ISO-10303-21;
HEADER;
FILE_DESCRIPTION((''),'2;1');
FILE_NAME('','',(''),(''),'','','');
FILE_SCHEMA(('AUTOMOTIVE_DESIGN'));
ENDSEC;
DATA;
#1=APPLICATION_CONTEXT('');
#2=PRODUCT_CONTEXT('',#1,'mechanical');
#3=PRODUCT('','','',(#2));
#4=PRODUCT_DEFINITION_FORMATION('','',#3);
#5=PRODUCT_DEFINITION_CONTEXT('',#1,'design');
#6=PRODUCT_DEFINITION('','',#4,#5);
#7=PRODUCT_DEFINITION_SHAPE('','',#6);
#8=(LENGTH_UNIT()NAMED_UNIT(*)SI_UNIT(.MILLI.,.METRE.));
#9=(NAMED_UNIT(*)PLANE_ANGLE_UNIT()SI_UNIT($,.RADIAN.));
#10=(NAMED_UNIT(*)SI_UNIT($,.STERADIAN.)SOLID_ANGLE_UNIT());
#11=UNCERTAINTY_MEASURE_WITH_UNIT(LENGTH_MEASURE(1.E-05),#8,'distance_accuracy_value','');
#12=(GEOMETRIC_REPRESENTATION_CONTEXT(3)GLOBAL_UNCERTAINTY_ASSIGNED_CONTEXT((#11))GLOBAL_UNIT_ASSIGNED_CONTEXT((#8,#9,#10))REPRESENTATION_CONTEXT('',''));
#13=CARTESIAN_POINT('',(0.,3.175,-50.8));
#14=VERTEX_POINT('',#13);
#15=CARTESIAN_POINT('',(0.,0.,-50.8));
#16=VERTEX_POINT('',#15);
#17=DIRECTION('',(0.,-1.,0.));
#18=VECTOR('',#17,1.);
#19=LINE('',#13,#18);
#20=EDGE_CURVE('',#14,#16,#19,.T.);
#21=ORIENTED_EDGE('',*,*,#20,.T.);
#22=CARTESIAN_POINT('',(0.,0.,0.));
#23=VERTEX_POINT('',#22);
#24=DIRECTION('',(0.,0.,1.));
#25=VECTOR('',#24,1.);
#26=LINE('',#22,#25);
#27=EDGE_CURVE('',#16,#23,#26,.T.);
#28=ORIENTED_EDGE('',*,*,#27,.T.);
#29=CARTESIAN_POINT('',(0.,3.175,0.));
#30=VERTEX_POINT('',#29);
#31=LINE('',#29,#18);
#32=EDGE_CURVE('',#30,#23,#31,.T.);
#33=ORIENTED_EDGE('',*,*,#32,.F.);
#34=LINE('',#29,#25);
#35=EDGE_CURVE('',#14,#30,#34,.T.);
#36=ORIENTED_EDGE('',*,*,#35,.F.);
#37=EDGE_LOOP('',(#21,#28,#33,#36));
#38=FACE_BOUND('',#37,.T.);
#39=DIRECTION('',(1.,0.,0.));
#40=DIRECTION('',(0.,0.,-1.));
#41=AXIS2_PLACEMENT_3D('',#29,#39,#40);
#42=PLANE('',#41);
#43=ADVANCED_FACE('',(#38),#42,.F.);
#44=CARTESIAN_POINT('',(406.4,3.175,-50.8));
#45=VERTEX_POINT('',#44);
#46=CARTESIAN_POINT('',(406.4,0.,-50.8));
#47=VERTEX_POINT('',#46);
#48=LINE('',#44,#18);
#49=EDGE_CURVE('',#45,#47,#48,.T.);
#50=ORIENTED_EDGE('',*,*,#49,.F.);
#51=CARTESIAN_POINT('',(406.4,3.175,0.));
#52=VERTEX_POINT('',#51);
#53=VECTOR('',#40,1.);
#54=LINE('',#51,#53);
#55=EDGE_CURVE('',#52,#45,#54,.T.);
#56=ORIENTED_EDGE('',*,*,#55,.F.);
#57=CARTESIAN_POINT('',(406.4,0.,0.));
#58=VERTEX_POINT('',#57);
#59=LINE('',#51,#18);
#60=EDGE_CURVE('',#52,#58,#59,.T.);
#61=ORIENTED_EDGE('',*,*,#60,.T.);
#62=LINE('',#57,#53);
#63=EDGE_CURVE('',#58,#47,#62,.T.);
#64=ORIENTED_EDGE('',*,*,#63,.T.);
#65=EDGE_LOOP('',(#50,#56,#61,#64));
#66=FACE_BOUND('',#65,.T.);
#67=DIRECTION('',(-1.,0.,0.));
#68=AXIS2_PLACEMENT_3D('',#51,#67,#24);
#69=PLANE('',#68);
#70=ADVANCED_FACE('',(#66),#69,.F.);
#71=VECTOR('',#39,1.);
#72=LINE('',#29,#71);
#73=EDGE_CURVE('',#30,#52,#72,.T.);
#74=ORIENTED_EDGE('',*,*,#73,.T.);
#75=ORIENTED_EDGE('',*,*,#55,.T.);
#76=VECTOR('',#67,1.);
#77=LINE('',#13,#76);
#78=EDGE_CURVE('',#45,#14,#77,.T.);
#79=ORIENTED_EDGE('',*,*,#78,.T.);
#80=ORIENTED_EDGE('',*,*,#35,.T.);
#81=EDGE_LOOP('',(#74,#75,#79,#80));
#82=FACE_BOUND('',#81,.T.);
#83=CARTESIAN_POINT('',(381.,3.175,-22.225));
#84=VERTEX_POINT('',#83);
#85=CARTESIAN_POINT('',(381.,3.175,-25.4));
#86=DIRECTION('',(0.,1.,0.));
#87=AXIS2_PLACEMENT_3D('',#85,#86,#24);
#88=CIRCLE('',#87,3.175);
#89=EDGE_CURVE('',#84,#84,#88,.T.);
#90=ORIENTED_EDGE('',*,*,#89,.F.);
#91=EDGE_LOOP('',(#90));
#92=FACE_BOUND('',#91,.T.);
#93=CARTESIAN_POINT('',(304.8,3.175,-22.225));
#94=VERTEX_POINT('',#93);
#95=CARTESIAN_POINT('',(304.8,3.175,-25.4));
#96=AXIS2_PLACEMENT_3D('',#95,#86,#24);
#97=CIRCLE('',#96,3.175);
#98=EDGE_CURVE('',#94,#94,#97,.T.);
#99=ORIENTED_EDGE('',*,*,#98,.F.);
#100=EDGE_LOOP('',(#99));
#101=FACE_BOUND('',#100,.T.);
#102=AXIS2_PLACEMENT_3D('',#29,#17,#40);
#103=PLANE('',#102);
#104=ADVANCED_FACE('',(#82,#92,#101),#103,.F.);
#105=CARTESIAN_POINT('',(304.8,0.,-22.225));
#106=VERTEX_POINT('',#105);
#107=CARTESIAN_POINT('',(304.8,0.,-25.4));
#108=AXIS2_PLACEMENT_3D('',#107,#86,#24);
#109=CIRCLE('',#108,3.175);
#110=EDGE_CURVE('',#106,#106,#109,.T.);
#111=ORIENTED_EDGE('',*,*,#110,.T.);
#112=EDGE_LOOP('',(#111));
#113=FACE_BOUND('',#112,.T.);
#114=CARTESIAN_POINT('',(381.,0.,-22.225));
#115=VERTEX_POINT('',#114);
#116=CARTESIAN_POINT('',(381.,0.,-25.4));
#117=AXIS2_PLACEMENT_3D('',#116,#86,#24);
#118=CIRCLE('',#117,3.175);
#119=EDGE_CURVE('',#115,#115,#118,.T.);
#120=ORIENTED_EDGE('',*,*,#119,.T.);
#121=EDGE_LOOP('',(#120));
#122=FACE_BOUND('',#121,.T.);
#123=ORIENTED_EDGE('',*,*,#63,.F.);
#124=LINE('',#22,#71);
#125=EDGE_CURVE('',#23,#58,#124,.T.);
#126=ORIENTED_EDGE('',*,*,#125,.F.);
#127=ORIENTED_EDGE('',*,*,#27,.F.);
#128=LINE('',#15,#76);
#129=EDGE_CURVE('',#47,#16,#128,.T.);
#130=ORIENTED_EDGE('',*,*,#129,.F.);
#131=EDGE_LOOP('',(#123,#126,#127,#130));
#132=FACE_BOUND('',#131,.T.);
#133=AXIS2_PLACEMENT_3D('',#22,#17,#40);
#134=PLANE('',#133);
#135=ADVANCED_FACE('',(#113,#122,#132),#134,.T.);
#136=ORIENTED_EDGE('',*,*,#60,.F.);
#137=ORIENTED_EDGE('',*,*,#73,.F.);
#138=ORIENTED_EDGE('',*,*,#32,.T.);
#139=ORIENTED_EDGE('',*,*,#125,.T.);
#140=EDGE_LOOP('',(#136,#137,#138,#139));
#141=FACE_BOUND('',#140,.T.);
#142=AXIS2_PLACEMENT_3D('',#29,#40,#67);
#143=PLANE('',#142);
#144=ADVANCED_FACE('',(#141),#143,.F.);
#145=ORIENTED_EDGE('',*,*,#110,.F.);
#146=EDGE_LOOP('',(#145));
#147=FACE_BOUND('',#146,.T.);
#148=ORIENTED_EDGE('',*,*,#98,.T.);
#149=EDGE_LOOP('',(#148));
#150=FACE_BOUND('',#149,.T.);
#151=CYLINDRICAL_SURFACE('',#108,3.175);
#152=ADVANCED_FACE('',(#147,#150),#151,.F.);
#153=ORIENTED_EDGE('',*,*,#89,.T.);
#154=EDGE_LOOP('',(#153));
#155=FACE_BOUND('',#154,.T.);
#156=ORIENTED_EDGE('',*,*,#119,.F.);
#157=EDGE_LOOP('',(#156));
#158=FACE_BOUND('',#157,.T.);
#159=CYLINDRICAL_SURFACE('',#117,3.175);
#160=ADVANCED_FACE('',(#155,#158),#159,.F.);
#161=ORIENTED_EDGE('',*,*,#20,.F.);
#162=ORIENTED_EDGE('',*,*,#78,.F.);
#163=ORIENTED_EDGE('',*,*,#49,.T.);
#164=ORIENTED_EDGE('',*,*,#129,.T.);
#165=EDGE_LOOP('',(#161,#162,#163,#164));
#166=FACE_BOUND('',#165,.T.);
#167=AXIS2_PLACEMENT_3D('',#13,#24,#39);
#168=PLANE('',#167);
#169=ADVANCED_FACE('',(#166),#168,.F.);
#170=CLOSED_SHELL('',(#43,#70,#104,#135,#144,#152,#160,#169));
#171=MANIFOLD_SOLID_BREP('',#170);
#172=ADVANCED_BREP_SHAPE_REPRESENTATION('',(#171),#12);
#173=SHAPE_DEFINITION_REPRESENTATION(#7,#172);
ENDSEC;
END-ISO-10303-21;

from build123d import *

# Parameters (mm, degrees)
SKETCH1_W           = 406.4
SKETCH1_H           = 50.8
BOSS_EXTRUDE1_DEPTH = 3.175
SKETCH2_R           = 3.175
CUT_EXTRUDE1_DEPTH  = 4.175


with BuildPart() as part:
    # Sketch1 → Boss-Extrude1 (new body)
    with BuildSketch(Plane(origin=(0, 0, 0), x_dir=(1, 0, 0), z_dir=(0, 1, 0))):
        with Locations((203.2, 25.4)):
            Rectangle(SKETCH1_W, SKETCH1_H)
    extrude(amount=BOSS_EXTRUDE1_DEPTH)

    # Sketch2 → Cut-Extrude1 (cut, through all)
    with BuildSketch(Plane(origin=(0, 3.175, 0), x_dir=(1, 0, 0), z_dir=(0, 1, 0))):
        with Locations((381, 25.4)):
            Circle(SKETCH2_R)
        with Locations((304.8, 25.4)):
            Circle(SKETCH2_R)
    extrude(amount=-CUT_EXTRUDE1_DEPTH, mode=Mode.SUBTRACT)


solid = part.part
